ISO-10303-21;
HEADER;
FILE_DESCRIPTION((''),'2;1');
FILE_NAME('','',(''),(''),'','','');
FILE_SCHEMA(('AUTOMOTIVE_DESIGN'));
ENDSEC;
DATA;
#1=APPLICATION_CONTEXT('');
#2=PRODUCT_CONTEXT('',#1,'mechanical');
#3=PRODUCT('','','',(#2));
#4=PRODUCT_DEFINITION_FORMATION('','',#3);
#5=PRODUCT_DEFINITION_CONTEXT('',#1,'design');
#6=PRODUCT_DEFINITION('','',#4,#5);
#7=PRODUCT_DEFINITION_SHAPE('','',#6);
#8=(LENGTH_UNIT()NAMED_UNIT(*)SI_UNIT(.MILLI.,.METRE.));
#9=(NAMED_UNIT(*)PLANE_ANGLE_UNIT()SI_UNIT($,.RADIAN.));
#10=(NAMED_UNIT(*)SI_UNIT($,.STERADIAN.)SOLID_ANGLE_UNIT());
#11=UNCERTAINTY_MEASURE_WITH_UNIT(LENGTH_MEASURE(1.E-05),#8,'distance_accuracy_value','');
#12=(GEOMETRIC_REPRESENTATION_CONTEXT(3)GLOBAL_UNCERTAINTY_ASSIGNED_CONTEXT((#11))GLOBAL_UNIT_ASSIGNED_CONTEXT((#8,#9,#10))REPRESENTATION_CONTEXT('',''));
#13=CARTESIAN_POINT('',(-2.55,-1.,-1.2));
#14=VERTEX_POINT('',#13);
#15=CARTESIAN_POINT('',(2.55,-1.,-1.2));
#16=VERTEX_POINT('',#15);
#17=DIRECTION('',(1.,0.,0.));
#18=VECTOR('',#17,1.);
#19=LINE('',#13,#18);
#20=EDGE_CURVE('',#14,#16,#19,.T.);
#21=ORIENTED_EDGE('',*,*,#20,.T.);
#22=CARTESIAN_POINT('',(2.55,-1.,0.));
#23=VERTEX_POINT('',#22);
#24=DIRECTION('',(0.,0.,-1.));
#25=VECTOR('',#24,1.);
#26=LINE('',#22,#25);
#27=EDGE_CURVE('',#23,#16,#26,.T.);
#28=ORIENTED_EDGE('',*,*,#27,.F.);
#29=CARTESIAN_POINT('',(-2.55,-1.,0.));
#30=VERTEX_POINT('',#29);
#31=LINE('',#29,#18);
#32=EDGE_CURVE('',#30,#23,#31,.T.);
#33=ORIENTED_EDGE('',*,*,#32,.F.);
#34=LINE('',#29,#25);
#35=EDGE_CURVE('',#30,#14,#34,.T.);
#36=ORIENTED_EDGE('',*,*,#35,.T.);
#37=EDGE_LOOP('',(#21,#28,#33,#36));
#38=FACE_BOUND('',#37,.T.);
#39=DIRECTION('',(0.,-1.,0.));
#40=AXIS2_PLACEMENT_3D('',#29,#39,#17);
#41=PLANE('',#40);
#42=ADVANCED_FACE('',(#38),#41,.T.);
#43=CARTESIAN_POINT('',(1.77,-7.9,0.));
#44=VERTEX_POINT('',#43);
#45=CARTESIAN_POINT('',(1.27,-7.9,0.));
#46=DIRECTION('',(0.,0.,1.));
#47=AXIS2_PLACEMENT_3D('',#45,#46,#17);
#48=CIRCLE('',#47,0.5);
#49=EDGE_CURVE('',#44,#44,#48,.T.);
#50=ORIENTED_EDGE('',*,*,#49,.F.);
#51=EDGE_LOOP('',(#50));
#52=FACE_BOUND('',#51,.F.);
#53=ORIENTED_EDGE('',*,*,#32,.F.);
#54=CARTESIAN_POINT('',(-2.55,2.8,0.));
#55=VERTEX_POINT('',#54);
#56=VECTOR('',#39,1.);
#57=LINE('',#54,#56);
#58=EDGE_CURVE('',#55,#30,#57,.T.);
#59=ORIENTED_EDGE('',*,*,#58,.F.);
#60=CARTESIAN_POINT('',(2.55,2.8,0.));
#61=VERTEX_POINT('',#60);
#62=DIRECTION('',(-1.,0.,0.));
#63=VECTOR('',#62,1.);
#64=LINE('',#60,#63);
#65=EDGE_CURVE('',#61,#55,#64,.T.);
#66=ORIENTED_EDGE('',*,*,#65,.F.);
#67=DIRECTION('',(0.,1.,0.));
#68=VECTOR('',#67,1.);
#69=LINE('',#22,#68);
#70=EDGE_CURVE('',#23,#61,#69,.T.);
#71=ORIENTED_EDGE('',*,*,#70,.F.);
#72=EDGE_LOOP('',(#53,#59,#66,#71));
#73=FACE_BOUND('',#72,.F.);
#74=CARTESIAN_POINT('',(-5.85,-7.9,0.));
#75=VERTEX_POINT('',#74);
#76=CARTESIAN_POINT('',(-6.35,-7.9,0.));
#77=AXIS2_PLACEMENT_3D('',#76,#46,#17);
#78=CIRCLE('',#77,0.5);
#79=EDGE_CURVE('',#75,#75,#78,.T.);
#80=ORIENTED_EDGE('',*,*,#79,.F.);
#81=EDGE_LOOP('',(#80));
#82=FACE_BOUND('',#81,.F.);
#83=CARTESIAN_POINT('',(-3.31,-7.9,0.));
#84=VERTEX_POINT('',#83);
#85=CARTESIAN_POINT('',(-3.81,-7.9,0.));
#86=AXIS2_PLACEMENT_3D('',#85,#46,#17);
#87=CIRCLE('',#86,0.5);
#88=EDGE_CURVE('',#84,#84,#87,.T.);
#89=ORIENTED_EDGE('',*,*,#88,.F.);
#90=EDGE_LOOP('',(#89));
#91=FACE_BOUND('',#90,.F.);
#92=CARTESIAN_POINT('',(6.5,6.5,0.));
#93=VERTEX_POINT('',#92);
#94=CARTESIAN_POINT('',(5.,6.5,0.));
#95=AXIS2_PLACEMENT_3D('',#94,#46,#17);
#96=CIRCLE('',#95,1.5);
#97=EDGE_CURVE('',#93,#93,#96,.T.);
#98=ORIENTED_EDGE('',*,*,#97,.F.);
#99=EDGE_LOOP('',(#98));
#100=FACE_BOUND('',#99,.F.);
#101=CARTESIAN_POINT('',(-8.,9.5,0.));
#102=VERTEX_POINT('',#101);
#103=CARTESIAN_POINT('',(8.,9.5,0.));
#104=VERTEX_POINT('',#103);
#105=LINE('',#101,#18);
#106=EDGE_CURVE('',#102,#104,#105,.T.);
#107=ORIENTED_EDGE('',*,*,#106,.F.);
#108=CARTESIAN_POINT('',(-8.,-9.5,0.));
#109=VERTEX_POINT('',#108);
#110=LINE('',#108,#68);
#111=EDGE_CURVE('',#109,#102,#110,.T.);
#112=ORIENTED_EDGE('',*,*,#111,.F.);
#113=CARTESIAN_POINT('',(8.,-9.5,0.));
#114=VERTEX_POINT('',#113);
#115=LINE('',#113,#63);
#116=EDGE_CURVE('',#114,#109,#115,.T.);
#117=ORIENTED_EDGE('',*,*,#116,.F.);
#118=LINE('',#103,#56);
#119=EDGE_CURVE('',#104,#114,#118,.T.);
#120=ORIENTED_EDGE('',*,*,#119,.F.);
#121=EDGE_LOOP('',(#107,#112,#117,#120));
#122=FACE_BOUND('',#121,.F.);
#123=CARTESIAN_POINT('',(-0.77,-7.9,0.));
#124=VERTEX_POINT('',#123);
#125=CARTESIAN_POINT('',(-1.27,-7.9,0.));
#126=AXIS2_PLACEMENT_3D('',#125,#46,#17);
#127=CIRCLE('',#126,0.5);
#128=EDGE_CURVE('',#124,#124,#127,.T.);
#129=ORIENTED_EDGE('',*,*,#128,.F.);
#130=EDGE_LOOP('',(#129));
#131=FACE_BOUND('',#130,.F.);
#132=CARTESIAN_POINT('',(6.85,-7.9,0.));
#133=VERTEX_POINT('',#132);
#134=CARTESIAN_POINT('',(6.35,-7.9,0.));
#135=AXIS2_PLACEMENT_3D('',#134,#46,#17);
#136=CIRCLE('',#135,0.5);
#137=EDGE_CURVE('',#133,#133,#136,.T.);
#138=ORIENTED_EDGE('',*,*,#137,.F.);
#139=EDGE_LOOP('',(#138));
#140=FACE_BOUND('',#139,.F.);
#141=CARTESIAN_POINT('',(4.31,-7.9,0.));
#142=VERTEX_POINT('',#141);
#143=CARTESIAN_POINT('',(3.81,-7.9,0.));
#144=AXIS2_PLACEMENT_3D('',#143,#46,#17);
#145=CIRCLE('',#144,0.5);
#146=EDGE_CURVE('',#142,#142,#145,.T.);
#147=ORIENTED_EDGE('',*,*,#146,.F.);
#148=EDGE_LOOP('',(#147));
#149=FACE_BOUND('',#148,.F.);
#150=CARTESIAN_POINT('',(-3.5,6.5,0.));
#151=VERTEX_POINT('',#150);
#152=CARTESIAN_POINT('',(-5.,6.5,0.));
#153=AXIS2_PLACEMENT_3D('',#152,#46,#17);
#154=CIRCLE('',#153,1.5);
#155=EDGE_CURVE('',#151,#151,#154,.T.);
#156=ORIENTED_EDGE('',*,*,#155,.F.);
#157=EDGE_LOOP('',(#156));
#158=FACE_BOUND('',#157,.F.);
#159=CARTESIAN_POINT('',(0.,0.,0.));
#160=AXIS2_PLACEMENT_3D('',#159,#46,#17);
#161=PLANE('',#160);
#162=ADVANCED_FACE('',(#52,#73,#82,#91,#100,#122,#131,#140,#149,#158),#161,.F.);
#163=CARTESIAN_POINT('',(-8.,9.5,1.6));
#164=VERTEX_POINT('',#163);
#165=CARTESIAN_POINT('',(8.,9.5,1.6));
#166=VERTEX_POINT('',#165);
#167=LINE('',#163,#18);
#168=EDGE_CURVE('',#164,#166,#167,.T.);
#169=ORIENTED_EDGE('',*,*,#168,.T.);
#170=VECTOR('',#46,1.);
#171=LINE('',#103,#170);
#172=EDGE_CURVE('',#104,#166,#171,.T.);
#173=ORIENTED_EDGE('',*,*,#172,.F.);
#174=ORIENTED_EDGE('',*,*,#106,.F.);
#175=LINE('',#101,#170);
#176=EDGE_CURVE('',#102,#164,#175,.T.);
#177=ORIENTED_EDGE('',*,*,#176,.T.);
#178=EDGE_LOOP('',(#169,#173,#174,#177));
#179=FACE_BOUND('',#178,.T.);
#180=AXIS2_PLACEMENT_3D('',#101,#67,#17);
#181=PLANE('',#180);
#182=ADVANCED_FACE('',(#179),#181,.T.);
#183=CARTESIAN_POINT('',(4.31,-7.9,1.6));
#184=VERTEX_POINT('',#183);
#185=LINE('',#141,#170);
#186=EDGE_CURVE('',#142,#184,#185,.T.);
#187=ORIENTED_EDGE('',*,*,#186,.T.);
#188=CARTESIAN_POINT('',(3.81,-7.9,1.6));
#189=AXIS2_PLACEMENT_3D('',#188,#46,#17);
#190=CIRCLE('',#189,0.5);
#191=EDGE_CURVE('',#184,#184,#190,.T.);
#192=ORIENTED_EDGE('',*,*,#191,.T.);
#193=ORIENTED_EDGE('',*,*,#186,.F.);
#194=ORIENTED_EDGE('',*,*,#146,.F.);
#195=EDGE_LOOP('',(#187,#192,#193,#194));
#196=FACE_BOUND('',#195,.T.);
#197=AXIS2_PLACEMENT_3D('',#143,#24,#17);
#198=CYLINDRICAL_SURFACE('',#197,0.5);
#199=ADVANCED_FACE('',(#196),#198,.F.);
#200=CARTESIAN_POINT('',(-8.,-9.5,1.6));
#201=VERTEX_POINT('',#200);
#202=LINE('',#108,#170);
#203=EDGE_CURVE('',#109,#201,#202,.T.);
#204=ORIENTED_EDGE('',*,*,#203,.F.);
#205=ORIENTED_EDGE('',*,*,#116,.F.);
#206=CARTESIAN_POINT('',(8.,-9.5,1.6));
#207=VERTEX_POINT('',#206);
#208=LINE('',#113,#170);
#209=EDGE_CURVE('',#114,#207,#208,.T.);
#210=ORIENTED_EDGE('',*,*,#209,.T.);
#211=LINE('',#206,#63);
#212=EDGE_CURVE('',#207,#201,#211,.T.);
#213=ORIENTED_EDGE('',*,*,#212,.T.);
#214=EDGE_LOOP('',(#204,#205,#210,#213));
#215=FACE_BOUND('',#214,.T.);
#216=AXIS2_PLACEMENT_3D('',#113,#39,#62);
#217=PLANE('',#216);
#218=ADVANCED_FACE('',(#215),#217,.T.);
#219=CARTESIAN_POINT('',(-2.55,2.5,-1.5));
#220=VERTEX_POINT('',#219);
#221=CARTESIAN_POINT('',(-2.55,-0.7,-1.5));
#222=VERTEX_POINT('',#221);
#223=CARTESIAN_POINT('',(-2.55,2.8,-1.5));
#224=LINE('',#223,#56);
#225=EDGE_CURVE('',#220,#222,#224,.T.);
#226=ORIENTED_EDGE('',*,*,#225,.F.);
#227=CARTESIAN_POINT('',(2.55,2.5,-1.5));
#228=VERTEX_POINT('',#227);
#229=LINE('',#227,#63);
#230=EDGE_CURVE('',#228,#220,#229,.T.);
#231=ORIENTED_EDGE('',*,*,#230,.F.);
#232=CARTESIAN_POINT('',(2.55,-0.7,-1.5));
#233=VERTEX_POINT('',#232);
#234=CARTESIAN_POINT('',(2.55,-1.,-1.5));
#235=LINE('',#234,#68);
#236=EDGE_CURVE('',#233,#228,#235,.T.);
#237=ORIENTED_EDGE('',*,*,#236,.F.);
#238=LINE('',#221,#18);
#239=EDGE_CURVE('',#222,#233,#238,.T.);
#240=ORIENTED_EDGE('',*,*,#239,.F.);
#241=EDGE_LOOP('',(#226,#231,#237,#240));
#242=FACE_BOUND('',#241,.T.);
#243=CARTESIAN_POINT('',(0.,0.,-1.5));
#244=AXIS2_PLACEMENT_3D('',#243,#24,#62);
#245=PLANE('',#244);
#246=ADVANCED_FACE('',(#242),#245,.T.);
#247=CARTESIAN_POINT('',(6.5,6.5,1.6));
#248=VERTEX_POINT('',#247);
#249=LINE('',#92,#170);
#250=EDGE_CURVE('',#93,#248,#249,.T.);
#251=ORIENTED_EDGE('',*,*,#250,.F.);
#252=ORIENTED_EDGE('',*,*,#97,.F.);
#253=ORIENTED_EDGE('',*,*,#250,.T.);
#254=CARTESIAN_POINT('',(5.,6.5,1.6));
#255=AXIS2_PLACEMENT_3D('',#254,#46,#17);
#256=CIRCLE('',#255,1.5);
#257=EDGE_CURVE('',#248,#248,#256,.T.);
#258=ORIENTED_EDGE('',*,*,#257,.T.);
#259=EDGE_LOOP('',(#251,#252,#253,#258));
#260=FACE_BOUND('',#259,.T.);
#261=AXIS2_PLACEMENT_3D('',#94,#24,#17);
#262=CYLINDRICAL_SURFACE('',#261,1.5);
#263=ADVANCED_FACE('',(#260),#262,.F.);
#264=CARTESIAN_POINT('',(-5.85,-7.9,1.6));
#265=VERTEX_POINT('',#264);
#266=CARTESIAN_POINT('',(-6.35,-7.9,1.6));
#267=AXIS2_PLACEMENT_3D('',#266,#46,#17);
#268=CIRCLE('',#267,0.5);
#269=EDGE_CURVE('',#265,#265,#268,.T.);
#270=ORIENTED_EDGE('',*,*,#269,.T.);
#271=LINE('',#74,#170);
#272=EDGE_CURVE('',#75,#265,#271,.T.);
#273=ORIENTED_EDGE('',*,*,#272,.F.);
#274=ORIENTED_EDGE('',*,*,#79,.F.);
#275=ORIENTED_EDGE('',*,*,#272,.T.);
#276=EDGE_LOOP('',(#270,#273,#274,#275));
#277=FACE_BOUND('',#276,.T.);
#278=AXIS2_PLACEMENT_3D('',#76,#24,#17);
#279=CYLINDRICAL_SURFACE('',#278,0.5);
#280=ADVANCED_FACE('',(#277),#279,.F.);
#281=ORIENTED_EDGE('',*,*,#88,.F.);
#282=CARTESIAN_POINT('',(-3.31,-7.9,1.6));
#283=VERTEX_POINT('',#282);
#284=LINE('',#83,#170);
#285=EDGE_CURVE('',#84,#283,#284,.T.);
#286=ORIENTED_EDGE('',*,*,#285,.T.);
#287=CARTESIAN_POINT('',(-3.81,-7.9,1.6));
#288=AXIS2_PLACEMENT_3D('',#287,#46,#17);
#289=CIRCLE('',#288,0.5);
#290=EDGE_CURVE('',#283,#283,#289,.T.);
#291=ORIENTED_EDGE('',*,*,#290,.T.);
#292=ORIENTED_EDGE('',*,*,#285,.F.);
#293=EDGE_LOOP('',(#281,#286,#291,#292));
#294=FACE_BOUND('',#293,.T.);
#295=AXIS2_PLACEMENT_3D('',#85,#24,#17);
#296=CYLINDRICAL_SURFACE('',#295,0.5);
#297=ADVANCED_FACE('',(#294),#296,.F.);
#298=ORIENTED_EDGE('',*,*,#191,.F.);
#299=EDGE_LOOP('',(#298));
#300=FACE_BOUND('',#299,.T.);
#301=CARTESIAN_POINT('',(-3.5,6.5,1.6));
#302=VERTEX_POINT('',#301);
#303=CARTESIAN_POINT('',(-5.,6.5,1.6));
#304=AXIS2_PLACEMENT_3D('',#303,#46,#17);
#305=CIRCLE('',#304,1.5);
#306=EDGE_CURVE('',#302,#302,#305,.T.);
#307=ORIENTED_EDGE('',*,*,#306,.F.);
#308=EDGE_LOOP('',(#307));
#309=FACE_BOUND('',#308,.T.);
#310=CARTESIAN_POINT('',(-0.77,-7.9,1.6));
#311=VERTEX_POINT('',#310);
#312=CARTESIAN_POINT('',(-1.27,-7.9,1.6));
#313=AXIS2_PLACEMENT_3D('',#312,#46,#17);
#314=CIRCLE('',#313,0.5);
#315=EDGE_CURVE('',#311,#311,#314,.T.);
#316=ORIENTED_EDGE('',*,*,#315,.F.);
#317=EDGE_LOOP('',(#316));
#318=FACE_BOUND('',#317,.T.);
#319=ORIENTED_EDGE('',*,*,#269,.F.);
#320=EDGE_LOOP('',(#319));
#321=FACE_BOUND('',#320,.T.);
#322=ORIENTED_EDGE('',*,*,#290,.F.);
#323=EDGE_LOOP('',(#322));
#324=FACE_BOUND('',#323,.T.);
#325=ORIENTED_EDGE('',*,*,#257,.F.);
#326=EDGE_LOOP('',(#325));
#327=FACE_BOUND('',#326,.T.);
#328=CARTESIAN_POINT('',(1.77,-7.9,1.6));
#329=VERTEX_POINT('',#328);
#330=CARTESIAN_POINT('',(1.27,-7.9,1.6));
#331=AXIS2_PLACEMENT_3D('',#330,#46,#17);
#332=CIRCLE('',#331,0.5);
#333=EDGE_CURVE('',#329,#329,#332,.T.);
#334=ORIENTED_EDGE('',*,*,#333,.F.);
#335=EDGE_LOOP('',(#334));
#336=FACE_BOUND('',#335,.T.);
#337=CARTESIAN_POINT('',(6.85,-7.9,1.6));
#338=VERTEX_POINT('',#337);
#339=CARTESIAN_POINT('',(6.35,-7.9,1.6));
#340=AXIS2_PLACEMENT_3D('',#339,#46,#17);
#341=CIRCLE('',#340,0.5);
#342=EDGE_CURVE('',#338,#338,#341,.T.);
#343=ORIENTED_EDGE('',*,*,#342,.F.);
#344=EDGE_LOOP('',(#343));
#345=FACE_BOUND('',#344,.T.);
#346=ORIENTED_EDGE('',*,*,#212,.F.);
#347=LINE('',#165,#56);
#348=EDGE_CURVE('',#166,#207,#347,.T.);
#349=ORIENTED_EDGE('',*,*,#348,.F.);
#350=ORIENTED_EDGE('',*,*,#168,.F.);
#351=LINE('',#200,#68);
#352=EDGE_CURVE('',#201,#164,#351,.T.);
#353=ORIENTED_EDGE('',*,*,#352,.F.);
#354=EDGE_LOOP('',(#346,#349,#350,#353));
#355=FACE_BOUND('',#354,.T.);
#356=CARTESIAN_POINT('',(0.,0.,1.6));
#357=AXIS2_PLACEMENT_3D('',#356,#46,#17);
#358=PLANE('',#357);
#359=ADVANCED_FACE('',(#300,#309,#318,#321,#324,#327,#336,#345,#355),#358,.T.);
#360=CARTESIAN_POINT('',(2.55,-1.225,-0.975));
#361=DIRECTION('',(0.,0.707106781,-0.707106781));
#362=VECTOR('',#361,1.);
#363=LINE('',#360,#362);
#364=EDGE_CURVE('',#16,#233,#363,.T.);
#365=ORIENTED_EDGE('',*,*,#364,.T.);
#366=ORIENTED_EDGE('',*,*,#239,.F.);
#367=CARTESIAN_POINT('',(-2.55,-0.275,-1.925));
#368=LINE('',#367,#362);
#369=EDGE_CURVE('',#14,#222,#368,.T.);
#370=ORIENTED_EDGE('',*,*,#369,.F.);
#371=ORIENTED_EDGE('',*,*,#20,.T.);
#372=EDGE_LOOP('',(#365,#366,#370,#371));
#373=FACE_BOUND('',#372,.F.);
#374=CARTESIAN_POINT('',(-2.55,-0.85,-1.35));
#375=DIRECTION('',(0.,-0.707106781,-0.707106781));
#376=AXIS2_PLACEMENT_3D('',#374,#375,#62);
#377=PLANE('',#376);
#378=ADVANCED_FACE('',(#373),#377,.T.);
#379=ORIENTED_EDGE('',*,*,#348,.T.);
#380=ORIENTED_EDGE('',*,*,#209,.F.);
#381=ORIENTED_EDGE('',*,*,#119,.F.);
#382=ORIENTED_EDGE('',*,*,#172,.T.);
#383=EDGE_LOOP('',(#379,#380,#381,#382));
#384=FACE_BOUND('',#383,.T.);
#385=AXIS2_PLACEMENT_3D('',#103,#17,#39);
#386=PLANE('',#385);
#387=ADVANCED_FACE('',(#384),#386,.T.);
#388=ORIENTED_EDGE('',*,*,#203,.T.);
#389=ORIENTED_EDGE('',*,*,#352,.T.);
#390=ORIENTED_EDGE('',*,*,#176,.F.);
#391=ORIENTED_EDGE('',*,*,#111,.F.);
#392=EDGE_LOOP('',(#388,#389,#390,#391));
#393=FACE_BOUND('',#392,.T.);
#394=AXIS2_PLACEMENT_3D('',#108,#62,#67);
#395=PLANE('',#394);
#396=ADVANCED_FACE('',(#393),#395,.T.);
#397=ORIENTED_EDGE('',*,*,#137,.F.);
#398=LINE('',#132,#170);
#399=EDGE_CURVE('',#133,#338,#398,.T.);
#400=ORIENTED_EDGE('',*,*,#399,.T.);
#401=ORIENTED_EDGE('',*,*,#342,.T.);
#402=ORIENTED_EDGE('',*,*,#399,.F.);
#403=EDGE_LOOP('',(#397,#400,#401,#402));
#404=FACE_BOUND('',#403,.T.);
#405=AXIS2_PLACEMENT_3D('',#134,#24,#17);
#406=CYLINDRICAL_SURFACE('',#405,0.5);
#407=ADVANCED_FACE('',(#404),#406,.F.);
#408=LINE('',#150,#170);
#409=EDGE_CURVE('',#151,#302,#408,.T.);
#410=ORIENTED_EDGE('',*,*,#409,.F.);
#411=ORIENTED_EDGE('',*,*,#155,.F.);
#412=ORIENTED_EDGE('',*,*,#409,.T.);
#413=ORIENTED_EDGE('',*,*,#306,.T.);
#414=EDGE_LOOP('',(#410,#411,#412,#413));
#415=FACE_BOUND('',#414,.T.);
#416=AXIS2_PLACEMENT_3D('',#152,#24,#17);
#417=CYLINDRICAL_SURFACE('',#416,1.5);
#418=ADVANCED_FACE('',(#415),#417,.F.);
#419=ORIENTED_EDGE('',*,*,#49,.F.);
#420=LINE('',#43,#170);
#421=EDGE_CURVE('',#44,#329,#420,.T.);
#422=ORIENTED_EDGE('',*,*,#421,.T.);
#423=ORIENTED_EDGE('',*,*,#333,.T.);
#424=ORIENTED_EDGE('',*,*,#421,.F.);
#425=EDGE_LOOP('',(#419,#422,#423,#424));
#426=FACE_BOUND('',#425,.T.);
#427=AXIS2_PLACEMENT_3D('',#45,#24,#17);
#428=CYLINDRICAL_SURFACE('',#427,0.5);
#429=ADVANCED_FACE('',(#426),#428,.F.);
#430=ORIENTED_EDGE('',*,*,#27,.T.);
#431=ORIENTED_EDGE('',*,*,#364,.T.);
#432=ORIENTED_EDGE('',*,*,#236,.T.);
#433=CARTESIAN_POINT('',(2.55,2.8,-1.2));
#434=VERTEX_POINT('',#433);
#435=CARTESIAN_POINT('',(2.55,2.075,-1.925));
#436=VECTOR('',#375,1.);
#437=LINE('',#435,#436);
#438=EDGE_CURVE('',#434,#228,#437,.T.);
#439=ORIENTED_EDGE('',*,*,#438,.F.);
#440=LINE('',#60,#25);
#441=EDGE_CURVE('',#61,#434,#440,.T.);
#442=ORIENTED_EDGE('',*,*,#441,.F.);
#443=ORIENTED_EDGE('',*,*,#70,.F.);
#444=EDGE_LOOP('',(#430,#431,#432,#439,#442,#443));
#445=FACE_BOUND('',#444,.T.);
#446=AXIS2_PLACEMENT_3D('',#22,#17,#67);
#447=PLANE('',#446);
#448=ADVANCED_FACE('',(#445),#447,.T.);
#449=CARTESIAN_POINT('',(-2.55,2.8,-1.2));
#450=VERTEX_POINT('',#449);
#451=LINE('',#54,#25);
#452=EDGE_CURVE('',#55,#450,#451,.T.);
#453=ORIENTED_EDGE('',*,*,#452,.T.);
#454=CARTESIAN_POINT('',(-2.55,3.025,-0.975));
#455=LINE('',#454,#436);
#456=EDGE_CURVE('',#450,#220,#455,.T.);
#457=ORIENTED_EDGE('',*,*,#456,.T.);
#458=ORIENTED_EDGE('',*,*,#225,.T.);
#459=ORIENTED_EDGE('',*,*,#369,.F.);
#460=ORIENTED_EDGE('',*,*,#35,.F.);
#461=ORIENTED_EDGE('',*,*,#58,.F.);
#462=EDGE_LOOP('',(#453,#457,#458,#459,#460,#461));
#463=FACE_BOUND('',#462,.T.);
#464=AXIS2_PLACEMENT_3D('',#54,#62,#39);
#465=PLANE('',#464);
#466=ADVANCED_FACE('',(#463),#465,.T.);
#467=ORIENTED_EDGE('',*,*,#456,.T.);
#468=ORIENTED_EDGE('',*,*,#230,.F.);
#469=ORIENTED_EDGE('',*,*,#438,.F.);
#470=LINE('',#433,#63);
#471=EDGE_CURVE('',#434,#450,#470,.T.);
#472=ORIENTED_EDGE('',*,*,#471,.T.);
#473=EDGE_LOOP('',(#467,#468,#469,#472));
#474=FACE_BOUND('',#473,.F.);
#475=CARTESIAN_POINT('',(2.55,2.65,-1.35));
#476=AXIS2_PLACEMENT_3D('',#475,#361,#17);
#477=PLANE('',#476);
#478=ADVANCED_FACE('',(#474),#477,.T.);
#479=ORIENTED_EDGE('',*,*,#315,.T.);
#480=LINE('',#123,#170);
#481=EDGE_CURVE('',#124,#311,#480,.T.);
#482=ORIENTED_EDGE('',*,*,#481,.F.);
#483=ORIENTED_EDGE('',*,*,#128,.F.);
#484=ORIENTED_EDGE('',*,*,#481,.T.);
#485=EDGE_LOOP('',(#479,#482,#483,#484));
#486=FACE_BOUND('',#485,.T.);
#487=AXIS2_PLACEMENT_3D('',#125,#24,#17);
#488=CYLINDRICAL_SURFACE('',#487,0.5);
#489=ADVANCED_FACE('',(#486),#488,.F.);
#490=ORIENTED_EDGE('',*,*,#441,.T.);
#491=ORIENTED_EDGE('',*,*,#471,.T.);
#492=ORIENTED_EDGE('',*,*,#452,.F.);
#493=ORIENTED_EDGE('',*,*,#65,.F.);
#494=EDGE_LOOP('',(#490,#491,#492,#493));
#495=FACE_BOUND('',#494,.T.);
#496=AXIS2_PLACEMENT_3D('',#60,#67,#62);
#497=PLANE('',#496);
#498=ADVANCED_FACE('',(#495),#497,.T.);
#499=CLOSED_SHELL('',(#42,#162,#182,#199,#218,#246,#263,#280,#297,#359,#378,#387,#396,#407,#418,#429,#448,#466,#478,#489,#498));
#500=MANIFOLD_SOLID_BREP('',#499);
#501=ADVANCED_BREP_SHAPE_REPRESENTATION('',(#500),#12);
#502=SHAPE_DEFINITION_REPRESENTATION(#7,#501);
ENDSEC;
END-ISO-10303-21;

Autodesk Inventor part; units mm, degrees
ref_plane "YZ Plane" through (0, 0, 0) normal (1, 0, 0) x (0, 1, 0)
ref_plane "XZ Plane" through (0, 0, 0) normal (0, 1, 0) x (-1, 0, 0)
ref_plane "XY Plane" through (0, 0, 0) normal (0, 0, 1) x (1, 0, 0)
sketch "Sketch1" plane through (0, 0, 0) normal (0, 0, 1) x (1, 0, 0)
  line L0 (8, -9.5) -> (-8, -9.5)
  line L1 (-8, -9.5) -> (-8, 9.5)
  line L2 (-8, 9.5) -> (8, 9.5)
  line L3 (8, 9.5) -> (8, -9.5)
  line L4 (8, -9.5) -> (-8, 9.5) construction
  line L5 (-8, -9.5) -> (8, 9.5) construction
  circle A0 centre (-5, 6.5) radius 1.5
  circle A1 centre (5, 6.5) radius 1.5
  circle A2 centre (-6.35, -7.9) radius 0.5
  line L6 (0, 9.5) -> (0, -9.5) construction
  circle A3 centre (-3.81, -7.9) radius 0.5
  circle A4 centre (-1.27, -7.9) radius 0.5
  circle A5 centre (1.27, -7.9) radius 0.5
  circle A6 centre (3.81, -7.9) radius 0.5
  circle A7 centre (6.35, -7.9) radius 0.5
  point P0 (0, 0)
  dimension "d0" = 16
  dimension "d1" = 19
  dimension "d3" = 3
  dimension "d4" = 1
  dimension "d5" = 3
  dimension "d6" = 3
  dimension "d7" = 1.6
  dimension "d10" = 2.54
extrude "Extrusion1" add sketch "Sketch1" along normal blind 1.6
sketch "Sketch2" plane through (0, 0, 0) normal (0, 0, -1) x (-1, 0, 0)
  line L0 (2.55, -1) -> (-2.55, -1)
  line L1 (-2.55, -1) -> (-2.55, 2.8)
  line L2 (-2.55, 2.8) -> (2.55, 2.8)
  line L3 (2.55, 2.8) -> (2.55, -1)
  line L4 (2.55, -1) -> (-2.55, 2.8) construction
  line L5 (-2.55, -1) -> (2.55, 2.8) construction
  line L6 (-8, 9.5) -> (8, 9.5) projected
  point P0 (0, 0)
  point P1 (0, 0.9)
  point P2 (0, 0.9)
  dimension "d17" = 5.1
  dimension "d18" = 3.8
  dimension "d19" = 10.5
extrude "Extrusion2" add sketch "Sketch2" along normal blind 1.5
chamfer "Chamfer1" distance 0.3 angle 45 2 edges at (0, -1, -1.5) (0, 2.8, -1.5)
sketch "Sketch3" plane through (0, 0, 0) normal (0, 0, -1) x (-1, 0, 0)
  line L0 (-8.0252, -9.5) -> (-8.0252, 9.5) construction
  line L1 (-8.0252, 9.5) -> (7.8645, 9.5) construction
  line L2 (7.8645, 9.5) -> (7.8645, -9.5) construction
  line L3 (7.8645, -9.5) -> (-8.0252, -9.5) construction
  line L4 (8, -9.5) -> (-8, -9.5) projected
  line L5 (-8, 9.5) -> (8, 9.5) projected
  point P0 (0, 0)
properties part number "CAN_transceiver"
